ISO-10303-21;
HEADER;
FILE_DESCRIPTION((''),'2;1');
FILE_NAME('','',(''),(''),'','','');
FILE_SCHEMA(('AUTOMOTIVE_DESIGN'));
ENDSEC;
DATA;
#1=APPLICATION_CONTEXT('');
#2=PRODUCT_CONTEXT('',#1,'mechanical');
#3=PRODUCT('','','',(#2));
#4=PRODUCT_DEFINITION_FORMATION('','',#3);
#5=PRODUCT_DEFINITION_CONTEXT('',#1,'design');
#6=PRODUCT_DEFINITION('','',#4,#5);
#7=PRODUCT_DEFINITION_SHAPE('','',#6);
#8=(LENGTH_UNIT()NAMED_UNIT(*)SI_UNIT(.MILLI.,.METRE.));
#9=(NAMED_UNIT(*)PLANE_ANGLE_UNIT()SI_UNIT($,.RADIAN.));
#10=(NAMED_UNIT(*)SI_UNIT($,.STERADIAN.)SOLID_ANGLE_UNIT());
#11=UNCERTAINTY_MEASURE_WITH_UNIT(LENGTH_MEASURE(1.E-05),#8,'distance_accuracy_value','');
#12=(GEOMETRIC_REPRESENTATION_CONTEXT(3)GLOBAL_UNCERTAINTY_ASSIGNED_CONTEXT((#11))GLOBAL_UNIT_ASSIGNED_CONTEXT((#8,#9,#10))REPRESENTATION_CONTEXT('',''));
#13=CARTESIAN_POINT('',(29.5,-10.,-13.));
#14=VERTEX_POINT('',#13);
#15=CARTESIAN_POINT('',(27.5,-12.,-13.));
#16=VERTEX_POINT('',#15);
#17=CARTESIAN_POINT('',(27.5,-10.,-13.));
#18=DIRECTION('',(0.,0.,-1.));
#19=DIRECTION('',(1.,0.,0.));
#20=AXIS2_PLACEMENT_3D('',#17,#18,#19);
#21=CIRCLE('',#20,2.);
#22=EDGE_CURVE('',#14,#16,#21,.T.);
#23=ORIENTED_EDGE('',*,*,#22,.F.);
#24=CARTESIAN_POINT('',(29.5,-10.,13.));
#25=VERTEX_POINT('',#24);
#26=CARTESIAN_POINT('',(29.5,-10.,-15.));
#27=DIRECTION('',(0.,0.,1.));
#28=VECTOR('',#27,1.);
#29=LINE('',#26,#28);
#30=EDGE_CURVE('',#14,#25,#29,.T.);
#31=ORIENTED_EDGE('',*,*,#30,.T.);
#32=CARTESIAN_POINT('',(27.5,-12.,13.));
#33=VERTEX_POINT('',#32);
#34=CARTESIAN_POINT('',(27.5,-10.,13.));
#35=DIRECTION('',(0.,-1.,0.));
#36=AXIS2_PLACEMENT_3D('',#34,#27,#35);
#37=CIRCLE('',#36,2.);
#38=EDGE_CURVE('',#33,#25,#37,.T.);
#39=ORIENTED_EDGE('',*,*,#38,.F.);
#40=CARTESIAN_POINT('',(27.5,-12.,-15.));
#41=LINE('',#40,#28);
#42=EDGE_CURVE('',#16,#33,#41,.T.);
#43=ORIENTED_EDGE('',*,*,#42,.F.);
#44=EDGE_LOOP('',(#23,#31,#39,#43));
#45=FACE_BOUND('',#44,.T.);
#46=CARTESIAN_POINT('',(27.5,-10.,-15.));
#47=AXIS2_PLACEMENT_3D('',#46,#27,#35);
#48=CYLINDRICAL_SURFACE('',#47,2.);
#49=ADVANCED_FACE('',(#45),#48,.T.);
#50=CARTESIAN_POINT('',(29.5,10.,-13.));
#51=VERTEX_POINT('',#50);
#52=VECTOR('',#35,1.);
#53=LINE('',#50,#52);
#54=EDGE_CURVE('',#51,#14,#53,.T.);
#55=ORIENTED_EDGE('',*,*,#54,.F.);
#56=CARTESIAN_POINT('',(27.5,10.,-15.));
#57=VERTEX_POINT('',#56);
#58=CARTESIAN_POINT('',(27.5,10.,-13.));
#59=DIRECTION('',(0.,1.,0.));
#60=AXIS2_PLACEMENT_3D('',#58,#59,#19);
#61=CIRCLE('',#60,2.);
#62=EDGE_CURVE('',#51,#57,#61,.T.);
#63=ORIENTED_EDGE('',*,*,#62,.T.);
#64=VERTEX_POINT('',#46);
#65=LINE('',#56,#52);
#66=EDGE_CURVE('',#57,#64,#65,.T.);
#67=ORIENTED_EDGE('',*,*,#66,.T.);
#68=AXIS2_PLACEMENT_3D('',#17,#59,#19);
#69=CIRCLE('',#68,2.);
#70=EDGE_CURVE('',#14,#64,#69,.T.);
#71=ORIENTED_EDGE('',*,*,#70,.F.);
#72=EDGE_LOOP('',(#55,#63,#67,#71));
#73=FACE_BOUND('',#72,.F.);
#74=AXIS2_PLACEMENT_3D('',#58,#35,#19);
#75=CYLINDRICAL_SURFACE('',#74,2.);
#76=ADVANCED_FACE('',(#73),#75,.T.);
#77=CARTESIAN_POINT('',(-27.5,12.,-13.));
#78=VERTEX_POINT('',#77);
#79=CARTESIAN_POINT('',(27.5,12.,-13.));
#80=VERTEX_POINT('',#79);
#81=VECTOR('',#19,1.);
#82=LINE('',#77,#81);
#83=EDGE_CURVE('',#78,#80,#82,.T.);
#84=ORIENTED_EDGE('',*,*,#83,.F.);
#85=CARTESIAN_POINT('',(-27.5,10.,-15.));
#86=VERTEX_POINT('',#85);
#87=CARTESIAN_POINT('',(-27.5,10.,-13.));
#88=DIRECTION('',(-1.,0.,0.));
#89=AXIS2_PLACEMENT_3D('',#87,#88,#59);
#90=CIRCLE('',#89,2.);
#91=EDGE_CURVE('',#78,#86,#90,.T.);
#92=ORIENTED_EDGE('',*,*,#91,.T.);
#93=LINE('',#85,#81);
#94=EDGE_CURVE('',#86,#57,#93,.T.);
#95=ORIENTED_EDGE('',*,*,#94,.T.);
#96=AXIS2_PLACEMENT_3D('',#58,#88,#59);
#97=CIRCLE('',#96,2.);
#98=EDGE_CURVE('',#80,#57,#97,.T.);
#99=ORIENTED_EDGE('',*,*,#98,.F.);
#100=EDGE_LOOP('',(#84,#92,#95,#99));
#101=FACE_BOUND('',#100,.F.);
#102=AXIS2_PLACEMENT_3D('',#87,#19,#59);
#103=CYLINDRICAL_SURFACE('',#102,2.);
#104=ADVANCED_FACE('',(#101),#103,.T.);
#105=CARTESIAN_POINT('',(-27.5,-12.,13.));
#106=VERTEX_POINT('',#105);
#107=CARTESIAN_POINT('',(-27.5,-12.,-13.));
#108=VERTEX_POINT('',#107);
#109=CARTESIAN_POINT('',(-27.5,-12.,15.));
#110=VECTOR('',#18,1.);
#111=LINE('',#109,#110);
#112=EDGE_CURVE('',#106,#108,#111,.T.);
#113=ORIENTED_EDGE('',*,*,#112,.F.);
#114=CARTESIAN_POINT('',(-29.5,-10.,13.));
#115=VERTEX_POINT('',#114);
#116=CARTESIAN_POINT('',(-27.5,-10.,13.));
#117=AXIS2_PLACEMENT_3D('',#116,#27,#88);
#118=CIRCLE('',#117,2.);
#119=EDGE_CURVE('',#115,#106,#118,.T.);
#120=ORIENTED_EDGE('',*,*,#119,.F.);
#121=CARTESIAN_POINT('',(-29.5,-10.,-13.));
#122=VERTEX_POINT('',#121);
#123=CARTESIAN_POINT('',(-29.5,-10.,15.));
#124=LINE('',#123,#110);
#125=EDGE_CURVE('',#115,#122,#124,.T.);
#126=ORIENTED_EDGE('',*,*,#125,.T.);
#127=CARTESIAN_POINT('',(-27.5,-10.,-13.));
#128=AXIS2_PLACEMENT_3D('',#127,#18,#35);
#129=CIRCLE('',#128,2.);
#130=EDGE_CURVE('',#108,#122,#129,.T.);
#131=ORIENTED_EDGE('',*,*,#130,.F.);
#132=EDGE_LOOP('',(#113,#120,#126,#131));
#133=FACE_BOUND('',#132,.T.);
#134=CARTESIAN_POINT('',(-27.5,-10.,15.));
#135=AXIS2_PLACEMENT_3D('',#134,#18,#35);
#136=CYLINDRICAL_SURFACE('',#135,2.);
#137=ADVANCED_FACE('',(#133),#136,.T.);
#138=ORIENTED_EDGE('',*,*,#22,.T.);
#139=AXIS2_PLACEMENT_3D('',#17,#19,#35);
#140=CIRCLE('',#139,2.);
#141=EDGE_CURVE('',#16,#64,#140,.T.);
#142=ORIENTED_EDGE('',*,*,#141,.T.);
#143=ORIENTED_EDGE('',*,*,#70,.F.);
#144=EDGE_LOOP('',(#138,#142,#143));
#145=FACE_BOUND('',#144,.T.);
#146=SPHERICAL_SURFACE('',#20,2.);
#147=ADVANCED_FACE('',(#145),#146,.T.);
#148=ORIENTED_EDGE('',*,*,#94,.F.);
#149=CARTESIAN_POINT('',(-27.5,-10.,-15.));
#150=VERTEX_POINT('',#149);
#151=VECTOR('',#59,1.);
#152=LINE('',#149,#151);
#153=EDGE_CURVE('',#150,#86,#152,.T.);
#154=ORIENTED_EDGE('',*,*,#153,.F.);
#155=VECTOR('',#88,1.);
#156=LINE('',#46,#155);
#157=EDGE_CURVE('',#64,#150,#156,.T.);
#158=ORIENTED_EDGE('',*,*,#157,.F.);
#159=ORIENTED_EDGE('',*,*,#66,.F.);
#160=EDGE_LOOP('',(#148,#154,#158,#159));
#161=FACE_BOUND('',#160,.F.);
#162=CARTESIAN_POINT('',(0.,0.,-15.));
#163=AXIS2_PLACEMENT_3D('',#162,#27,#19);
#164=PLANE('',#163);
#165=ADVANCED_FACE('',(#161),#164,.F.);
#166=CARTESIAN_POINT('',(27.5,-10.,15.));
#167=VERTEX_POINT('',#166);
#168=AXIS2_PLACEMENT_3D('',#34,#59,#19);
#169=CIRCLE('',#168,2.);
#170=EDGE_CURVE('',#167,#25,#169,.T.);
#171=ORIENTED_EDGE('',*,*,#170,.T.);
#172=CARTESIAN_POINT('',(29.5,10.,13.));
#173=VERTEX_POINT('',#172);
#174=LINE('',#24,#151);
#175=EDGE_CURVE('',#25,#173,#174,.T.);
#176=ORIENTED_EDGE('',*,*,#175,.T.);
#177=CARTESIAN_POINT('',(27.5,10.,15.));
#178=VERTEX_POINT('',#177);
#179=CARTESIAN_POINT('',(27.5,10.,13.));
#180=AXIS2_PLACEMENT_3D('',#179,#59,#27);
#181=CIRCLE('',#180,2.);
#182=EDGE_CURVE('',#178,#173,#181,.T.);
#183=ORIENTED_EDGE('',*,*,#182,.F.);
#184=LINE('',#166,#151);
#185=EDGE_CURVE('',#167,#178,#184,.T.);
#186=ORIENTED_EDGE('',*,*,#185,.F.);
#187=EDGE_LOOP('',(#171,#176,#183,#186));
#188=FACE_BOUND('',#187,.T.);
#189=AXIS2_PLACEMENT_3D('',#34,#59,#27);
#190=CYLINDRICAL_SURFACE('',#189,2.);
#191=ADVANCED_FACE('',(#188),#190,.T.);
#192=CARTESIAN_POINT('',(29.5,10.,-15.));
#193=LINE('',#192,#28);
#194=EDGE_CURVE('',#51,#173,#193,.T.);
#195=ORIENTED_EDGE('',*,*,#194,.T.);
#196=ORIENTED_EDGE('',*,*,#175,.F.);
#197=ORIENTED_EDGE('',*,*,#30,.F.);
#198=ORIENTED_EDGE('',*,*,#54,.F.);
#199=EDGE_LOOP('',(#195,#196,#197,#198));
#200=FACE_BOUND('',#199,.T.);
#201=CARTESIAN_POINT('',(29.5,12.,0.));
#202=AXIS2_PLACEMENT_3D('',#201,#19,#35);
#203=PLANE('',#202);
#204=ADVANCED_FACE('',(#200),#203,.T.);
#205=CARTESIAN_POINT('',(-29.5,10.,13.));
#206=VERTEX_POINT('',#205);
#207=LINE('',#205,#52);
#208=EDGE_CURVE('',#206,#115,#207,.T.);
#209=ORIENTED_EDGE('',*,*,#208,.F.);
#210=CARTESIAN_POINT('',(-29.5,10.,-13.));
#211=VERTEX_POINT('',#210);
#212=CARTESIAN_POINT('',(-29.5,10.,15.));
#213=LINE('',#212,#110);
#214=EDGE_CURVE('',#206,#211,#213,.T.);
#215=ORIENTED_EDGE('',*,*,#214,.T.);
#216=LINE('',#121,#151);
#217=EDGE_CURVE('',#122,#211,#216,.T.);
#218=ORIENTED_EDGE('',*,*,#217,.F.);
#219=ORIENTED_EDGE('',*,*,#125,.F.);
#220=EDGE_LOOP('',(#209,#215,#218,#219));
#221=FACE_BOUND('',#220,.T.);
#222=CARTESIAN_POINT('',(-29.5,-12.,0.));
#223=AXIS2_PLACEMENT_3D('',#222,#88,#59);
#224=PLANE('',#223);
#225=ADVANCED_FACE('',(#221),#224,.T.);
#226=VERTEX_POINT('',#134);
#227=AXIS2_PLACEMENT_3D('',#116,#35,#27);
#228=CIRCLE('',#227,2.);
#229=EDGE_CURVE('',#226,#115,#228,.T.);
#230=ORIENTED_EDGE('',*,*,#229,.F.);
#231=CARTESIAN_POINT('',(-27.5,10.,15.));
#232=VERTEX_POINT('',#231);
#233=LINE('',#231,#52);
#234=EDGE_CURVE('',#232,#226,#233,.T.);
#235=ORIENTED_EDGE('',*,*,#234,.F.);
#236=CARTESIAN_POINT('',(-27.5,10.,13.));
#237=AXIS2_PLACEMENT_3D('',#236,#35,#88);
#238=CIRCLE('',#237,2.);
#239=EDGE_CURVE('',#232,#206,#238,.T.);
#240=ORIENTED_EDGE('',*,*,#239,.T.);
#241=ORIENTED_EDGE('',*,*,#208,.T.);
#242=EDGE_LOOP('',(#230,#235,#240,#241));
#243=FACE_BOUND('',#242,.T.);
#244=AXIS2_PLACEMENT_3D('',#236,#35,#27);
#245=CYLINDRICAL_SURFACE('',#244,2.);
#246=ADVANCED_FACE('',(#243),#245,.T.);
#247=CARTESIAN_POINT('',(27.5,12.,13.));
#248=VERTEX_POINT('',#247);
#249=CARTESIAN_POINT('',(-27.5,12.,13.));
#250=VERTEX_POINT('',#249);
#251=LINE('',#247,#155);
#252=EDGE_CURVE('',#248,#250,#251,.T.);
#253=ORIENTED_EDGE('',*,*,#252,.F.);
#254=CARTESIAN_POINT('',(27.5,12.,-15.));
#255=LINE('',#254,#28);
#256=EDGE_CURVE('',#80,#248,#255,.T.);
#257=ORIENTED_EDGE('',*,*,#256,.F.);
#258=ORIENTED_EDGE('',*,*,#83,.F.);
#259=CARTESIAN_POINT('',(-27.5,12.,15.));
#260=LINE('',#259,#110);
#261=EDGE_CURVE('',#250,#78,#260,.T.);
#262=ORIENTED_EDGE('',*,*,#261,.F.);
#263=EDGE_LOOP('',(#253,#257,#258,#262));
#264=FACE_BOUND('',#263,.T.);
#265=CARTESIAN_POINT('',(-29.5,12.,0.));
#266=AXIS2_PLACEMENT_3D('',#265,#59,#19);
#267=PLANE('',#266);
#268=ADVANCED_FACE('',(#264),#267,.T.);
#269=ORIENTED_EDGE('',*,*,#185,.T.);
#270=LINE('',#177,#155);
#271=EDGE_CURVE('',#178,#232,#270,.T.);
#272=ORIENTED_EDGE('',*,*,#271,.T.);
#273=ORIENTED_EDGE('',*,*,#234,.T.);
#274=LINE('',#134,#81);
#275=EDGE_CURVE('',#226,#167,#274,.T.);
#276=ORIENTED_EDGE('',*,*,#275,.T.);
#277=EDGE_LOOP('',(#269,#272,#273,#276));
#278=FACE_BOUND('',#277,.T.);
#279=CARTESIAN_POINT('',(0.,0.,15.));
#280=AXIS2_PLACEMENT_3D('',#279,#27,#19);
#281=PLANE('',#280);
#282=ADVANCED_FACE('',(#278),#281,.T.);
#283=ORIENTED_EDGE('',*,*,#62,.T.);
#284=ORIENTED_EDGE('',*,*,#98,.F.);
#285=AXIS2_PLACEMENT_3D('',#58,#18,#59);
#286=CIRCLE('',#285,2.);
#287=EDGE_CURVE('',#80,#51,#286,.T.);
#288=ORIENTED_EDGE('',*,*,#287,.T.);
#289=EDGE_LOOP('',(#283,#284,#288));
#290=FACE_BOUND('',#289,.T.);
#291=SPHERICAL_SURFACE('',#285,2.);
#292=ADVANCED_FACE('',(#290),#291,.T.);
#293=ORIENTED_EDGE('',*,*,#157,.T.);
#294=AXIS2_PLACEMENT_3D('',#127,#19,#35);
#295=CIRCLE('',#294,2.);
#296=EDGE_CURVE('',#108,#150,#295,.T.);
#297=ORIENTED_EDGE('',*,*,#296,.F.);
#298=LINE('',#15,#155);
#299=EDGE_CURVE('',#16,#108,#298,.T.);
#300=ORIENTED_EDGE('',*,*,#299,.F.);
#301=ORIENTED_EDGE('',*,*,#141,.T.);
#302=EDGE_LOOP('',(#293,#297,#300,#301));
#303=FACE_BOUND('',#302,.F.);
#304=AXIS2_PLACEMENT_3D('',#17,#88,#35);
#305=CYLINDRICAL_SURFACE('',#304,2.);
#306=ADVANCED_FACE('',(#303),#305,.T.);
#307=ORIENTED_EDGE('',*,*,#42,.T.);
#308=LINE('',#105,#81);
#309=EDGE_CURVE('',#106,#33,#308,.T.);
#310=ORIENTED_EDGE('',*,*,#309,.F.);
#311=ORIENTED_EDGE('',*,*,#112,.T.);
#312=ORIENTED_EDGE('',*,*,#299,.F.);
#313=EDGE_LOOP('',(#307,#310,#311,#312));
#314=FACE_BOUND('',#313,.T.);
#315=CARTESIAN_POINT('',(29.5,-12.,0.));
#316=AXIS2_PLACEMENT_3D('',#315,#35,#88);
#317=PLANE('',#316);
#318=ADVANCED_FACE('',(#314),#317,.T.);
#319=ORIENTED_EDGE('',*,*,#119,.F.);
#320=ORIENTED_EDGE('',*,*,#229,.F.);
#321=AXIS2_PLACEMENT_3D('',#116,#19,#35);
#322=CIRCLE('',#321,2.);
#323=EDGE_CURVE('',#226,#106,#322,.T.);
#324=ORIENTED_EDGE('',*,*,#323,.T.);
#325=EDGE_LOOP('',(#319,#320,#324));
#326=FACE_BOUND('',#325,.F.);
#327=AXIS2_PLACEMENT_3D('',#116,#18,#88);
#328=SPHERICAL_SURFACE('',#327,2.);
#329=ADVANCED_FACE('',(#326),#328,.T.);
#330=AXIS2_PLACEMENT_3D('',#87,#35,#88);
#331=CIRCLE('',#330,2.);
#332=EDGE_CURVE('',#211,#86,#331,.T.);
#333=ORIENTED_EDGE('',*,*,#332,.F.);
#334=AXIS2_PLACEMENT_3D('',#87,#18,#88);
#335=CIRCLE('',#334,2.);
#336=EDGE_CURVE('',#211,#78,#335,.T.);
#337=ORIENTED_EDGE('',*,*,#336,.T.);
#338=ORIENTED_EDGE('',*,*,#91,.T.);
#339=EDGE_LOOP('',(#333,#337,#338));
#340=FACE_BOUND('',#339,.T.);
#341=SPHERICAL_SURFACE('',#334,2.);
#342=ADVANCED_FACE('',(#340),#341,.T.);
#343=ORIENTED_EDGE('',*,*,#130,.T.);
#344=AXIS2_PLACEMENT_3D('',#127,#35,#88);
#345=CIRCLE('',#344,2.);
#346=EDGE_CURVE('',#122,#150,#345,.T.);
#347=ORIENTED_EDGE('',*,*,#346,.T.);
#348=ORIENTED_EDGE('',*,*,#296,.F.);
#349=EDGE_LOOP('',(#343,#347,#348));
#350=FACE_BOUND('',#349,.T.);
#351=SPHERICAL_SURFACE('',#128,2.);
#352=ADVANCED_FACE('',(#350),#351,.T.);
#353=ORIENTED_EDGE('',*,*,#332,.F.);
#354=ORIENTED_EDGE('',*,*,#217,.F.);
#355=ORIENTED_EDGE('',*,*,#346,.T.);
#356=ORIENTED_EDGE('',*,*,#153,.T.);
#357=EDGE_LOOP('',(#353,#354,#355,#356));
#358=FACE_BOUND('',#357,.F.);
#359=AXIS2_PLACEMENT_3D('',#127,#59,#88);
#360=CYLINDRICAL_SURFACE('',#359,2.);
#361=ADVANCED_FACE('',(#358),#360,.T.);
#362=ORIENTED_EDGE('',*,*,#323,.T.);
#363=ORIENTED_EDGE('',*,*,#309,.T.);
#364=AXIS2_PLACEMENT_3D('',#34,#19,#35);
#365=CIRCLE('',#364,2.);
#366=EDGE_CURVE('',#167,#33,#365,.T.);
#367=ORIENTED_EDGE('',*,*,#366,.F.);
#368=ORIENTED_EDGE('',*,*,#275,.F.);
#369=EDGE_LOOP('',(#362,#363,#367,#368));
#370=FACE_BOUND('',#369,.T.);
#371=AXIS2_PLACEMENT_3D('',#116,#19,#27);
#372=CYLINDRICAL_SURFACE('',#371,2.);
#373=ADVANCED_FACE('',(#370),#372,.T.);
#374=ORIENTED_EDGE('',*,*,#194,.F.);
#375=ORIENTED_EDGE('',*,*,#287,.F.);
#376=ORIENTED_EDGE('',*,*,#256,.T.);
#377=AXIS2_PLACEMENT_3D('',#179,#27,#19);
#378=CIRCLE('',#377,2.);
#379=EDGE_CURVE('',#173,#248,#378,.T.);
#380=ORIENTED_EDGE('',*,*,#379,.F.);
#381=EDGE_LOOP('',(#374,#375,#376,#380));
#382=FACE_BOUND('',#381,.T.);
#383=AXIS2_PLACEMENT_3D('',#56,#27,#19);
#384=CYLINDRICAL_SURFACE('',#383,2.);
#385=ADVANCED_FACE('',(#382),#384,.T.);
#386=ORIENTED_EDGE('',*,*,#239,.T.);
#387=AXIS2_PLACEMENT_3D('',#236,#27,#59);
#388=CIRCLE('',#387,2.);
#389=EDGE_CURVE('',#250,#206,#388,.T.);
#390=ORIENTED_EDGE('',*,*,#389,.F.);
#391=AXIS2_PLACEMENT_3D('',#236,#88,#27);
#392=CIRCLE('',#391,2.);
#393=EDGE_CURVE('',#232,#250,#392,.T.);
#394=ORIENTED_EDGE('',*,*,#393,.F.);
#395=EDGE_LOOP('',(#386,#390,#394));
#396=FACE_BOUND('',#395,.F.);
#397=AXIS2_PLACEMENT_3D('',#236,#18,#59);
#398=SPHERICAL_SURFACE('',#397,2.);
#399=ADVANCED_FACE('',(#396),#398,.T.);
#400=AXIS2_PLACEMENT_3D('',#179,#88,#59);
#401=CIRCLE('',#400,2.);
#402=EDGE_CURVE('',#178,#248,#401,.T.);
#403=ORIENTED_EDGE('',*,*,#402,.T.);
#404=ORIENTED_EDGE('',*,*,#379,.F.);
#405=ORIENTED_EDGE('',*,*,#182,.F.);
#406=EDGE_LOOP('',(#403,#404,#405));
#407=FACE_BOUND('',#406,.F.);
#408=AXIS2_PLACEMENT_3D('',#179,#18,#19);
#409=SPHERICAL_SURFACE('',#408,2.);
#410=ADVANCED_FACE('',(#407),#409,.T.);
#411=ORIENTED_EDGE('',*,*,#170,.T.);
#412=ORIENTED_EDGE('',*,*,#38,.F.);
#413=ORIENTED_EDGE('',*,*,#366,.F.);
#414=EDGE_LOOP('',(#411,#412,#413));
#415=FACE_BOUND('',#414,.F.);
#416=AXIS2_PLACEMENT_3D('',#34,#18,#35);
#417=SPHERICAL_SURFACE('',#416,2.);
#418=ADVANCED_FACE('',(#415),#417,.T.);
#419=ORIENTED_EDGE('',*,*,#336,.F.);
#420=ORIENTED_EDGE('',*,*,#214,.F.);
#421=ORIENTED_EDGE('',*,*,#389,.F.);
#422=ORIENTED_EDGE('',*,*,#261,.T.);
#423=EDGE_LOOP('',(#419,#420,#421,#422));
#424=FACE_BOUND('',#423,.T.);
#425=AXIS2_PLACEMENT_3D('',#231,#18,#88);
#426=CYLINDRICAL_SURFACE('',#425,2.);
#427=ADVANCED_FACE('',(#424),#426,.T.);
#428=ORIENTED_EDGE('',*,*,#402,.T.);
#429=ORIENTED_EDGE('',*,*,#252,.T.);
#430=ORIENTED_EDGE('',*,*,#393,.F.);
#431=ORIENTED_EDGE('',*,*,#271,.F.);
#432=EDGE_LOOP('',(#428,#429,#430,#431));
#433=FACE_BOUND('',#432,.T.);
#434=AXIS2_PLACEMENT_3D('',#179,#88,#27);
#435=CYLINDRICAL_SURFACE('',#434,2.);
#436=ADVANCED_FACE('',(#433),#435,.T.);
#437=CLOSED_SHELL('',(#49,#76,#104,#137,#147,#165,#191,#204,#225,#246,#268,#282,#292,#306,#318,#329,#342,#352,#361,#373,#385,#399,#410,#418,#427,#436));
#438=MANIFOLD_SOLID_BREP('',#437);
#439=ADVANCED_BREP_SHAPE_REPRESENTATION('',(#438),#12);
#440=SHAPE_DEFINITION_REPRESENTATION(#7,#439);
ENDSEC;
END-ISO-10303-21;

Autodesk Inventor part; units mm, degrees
ref_plane "YZ Plane" through (0, 0, 0) normal (1, 0, 0) x (0, 1, 0)
ref_plane "XZ Plane" through (0, 0, 0) normal (0, 1, 0) x (-1, 0, 0)
ref_plane "XY Plane" through (0, 0, 0) normal (0, 0, 1) x (1, 0, 0)
sketch "Skizze1" plane through (0, 0, 0) normal (0, 0, 1) x (1, 0, 0)
  line L0 (29.5, -12) -> (-29.5, -12)
  line L1 (-29.5, -12) -> (-29.5, 12)
  line L2 (-29.5, 12) -> (29.5, 12)
  line L3 (29.5, 12) -> (29.5, -12)
  line L4 (29.5, -12) -> (-29.5, 12) construction
  line L5 (-29.5, -12) -> (29.5, 12) construction
  point P0 (0, 0)
  dimension "d0" = 59
  dimension "d1" = 24
extrude "Extrusion1" add sketch "Skizze1" along normal mid plane 30
fillet "Rundung1" radius 2 4 edges at (-29.5, -12, 0) (29.5, -12, 0) (-29.5, 12, 0) (29.5, 12, 0)
fillet "Rundung2" radius 2 16 edges at (28.9142, -11.4142, 15) (29.5, 0, 15) (28.9142, 11.4142, 15) (0, 12, 15) (-28.9142, 11.4142, 15) (-29.5, 0, 15) (-28.9142, -11.4142, 15) (0, -12, 15) (-28.9142, -11.4142, -15) (-29.5, 0, -15) (-28.9142, 11.4142, -15) (0, 12, -15) (28.9142, 11.4142, -15) (29.5, 0, -15) (28.9142, -11.4142, -15) (0, -12, -15)
properties part number "P_Akku_Dummy"
